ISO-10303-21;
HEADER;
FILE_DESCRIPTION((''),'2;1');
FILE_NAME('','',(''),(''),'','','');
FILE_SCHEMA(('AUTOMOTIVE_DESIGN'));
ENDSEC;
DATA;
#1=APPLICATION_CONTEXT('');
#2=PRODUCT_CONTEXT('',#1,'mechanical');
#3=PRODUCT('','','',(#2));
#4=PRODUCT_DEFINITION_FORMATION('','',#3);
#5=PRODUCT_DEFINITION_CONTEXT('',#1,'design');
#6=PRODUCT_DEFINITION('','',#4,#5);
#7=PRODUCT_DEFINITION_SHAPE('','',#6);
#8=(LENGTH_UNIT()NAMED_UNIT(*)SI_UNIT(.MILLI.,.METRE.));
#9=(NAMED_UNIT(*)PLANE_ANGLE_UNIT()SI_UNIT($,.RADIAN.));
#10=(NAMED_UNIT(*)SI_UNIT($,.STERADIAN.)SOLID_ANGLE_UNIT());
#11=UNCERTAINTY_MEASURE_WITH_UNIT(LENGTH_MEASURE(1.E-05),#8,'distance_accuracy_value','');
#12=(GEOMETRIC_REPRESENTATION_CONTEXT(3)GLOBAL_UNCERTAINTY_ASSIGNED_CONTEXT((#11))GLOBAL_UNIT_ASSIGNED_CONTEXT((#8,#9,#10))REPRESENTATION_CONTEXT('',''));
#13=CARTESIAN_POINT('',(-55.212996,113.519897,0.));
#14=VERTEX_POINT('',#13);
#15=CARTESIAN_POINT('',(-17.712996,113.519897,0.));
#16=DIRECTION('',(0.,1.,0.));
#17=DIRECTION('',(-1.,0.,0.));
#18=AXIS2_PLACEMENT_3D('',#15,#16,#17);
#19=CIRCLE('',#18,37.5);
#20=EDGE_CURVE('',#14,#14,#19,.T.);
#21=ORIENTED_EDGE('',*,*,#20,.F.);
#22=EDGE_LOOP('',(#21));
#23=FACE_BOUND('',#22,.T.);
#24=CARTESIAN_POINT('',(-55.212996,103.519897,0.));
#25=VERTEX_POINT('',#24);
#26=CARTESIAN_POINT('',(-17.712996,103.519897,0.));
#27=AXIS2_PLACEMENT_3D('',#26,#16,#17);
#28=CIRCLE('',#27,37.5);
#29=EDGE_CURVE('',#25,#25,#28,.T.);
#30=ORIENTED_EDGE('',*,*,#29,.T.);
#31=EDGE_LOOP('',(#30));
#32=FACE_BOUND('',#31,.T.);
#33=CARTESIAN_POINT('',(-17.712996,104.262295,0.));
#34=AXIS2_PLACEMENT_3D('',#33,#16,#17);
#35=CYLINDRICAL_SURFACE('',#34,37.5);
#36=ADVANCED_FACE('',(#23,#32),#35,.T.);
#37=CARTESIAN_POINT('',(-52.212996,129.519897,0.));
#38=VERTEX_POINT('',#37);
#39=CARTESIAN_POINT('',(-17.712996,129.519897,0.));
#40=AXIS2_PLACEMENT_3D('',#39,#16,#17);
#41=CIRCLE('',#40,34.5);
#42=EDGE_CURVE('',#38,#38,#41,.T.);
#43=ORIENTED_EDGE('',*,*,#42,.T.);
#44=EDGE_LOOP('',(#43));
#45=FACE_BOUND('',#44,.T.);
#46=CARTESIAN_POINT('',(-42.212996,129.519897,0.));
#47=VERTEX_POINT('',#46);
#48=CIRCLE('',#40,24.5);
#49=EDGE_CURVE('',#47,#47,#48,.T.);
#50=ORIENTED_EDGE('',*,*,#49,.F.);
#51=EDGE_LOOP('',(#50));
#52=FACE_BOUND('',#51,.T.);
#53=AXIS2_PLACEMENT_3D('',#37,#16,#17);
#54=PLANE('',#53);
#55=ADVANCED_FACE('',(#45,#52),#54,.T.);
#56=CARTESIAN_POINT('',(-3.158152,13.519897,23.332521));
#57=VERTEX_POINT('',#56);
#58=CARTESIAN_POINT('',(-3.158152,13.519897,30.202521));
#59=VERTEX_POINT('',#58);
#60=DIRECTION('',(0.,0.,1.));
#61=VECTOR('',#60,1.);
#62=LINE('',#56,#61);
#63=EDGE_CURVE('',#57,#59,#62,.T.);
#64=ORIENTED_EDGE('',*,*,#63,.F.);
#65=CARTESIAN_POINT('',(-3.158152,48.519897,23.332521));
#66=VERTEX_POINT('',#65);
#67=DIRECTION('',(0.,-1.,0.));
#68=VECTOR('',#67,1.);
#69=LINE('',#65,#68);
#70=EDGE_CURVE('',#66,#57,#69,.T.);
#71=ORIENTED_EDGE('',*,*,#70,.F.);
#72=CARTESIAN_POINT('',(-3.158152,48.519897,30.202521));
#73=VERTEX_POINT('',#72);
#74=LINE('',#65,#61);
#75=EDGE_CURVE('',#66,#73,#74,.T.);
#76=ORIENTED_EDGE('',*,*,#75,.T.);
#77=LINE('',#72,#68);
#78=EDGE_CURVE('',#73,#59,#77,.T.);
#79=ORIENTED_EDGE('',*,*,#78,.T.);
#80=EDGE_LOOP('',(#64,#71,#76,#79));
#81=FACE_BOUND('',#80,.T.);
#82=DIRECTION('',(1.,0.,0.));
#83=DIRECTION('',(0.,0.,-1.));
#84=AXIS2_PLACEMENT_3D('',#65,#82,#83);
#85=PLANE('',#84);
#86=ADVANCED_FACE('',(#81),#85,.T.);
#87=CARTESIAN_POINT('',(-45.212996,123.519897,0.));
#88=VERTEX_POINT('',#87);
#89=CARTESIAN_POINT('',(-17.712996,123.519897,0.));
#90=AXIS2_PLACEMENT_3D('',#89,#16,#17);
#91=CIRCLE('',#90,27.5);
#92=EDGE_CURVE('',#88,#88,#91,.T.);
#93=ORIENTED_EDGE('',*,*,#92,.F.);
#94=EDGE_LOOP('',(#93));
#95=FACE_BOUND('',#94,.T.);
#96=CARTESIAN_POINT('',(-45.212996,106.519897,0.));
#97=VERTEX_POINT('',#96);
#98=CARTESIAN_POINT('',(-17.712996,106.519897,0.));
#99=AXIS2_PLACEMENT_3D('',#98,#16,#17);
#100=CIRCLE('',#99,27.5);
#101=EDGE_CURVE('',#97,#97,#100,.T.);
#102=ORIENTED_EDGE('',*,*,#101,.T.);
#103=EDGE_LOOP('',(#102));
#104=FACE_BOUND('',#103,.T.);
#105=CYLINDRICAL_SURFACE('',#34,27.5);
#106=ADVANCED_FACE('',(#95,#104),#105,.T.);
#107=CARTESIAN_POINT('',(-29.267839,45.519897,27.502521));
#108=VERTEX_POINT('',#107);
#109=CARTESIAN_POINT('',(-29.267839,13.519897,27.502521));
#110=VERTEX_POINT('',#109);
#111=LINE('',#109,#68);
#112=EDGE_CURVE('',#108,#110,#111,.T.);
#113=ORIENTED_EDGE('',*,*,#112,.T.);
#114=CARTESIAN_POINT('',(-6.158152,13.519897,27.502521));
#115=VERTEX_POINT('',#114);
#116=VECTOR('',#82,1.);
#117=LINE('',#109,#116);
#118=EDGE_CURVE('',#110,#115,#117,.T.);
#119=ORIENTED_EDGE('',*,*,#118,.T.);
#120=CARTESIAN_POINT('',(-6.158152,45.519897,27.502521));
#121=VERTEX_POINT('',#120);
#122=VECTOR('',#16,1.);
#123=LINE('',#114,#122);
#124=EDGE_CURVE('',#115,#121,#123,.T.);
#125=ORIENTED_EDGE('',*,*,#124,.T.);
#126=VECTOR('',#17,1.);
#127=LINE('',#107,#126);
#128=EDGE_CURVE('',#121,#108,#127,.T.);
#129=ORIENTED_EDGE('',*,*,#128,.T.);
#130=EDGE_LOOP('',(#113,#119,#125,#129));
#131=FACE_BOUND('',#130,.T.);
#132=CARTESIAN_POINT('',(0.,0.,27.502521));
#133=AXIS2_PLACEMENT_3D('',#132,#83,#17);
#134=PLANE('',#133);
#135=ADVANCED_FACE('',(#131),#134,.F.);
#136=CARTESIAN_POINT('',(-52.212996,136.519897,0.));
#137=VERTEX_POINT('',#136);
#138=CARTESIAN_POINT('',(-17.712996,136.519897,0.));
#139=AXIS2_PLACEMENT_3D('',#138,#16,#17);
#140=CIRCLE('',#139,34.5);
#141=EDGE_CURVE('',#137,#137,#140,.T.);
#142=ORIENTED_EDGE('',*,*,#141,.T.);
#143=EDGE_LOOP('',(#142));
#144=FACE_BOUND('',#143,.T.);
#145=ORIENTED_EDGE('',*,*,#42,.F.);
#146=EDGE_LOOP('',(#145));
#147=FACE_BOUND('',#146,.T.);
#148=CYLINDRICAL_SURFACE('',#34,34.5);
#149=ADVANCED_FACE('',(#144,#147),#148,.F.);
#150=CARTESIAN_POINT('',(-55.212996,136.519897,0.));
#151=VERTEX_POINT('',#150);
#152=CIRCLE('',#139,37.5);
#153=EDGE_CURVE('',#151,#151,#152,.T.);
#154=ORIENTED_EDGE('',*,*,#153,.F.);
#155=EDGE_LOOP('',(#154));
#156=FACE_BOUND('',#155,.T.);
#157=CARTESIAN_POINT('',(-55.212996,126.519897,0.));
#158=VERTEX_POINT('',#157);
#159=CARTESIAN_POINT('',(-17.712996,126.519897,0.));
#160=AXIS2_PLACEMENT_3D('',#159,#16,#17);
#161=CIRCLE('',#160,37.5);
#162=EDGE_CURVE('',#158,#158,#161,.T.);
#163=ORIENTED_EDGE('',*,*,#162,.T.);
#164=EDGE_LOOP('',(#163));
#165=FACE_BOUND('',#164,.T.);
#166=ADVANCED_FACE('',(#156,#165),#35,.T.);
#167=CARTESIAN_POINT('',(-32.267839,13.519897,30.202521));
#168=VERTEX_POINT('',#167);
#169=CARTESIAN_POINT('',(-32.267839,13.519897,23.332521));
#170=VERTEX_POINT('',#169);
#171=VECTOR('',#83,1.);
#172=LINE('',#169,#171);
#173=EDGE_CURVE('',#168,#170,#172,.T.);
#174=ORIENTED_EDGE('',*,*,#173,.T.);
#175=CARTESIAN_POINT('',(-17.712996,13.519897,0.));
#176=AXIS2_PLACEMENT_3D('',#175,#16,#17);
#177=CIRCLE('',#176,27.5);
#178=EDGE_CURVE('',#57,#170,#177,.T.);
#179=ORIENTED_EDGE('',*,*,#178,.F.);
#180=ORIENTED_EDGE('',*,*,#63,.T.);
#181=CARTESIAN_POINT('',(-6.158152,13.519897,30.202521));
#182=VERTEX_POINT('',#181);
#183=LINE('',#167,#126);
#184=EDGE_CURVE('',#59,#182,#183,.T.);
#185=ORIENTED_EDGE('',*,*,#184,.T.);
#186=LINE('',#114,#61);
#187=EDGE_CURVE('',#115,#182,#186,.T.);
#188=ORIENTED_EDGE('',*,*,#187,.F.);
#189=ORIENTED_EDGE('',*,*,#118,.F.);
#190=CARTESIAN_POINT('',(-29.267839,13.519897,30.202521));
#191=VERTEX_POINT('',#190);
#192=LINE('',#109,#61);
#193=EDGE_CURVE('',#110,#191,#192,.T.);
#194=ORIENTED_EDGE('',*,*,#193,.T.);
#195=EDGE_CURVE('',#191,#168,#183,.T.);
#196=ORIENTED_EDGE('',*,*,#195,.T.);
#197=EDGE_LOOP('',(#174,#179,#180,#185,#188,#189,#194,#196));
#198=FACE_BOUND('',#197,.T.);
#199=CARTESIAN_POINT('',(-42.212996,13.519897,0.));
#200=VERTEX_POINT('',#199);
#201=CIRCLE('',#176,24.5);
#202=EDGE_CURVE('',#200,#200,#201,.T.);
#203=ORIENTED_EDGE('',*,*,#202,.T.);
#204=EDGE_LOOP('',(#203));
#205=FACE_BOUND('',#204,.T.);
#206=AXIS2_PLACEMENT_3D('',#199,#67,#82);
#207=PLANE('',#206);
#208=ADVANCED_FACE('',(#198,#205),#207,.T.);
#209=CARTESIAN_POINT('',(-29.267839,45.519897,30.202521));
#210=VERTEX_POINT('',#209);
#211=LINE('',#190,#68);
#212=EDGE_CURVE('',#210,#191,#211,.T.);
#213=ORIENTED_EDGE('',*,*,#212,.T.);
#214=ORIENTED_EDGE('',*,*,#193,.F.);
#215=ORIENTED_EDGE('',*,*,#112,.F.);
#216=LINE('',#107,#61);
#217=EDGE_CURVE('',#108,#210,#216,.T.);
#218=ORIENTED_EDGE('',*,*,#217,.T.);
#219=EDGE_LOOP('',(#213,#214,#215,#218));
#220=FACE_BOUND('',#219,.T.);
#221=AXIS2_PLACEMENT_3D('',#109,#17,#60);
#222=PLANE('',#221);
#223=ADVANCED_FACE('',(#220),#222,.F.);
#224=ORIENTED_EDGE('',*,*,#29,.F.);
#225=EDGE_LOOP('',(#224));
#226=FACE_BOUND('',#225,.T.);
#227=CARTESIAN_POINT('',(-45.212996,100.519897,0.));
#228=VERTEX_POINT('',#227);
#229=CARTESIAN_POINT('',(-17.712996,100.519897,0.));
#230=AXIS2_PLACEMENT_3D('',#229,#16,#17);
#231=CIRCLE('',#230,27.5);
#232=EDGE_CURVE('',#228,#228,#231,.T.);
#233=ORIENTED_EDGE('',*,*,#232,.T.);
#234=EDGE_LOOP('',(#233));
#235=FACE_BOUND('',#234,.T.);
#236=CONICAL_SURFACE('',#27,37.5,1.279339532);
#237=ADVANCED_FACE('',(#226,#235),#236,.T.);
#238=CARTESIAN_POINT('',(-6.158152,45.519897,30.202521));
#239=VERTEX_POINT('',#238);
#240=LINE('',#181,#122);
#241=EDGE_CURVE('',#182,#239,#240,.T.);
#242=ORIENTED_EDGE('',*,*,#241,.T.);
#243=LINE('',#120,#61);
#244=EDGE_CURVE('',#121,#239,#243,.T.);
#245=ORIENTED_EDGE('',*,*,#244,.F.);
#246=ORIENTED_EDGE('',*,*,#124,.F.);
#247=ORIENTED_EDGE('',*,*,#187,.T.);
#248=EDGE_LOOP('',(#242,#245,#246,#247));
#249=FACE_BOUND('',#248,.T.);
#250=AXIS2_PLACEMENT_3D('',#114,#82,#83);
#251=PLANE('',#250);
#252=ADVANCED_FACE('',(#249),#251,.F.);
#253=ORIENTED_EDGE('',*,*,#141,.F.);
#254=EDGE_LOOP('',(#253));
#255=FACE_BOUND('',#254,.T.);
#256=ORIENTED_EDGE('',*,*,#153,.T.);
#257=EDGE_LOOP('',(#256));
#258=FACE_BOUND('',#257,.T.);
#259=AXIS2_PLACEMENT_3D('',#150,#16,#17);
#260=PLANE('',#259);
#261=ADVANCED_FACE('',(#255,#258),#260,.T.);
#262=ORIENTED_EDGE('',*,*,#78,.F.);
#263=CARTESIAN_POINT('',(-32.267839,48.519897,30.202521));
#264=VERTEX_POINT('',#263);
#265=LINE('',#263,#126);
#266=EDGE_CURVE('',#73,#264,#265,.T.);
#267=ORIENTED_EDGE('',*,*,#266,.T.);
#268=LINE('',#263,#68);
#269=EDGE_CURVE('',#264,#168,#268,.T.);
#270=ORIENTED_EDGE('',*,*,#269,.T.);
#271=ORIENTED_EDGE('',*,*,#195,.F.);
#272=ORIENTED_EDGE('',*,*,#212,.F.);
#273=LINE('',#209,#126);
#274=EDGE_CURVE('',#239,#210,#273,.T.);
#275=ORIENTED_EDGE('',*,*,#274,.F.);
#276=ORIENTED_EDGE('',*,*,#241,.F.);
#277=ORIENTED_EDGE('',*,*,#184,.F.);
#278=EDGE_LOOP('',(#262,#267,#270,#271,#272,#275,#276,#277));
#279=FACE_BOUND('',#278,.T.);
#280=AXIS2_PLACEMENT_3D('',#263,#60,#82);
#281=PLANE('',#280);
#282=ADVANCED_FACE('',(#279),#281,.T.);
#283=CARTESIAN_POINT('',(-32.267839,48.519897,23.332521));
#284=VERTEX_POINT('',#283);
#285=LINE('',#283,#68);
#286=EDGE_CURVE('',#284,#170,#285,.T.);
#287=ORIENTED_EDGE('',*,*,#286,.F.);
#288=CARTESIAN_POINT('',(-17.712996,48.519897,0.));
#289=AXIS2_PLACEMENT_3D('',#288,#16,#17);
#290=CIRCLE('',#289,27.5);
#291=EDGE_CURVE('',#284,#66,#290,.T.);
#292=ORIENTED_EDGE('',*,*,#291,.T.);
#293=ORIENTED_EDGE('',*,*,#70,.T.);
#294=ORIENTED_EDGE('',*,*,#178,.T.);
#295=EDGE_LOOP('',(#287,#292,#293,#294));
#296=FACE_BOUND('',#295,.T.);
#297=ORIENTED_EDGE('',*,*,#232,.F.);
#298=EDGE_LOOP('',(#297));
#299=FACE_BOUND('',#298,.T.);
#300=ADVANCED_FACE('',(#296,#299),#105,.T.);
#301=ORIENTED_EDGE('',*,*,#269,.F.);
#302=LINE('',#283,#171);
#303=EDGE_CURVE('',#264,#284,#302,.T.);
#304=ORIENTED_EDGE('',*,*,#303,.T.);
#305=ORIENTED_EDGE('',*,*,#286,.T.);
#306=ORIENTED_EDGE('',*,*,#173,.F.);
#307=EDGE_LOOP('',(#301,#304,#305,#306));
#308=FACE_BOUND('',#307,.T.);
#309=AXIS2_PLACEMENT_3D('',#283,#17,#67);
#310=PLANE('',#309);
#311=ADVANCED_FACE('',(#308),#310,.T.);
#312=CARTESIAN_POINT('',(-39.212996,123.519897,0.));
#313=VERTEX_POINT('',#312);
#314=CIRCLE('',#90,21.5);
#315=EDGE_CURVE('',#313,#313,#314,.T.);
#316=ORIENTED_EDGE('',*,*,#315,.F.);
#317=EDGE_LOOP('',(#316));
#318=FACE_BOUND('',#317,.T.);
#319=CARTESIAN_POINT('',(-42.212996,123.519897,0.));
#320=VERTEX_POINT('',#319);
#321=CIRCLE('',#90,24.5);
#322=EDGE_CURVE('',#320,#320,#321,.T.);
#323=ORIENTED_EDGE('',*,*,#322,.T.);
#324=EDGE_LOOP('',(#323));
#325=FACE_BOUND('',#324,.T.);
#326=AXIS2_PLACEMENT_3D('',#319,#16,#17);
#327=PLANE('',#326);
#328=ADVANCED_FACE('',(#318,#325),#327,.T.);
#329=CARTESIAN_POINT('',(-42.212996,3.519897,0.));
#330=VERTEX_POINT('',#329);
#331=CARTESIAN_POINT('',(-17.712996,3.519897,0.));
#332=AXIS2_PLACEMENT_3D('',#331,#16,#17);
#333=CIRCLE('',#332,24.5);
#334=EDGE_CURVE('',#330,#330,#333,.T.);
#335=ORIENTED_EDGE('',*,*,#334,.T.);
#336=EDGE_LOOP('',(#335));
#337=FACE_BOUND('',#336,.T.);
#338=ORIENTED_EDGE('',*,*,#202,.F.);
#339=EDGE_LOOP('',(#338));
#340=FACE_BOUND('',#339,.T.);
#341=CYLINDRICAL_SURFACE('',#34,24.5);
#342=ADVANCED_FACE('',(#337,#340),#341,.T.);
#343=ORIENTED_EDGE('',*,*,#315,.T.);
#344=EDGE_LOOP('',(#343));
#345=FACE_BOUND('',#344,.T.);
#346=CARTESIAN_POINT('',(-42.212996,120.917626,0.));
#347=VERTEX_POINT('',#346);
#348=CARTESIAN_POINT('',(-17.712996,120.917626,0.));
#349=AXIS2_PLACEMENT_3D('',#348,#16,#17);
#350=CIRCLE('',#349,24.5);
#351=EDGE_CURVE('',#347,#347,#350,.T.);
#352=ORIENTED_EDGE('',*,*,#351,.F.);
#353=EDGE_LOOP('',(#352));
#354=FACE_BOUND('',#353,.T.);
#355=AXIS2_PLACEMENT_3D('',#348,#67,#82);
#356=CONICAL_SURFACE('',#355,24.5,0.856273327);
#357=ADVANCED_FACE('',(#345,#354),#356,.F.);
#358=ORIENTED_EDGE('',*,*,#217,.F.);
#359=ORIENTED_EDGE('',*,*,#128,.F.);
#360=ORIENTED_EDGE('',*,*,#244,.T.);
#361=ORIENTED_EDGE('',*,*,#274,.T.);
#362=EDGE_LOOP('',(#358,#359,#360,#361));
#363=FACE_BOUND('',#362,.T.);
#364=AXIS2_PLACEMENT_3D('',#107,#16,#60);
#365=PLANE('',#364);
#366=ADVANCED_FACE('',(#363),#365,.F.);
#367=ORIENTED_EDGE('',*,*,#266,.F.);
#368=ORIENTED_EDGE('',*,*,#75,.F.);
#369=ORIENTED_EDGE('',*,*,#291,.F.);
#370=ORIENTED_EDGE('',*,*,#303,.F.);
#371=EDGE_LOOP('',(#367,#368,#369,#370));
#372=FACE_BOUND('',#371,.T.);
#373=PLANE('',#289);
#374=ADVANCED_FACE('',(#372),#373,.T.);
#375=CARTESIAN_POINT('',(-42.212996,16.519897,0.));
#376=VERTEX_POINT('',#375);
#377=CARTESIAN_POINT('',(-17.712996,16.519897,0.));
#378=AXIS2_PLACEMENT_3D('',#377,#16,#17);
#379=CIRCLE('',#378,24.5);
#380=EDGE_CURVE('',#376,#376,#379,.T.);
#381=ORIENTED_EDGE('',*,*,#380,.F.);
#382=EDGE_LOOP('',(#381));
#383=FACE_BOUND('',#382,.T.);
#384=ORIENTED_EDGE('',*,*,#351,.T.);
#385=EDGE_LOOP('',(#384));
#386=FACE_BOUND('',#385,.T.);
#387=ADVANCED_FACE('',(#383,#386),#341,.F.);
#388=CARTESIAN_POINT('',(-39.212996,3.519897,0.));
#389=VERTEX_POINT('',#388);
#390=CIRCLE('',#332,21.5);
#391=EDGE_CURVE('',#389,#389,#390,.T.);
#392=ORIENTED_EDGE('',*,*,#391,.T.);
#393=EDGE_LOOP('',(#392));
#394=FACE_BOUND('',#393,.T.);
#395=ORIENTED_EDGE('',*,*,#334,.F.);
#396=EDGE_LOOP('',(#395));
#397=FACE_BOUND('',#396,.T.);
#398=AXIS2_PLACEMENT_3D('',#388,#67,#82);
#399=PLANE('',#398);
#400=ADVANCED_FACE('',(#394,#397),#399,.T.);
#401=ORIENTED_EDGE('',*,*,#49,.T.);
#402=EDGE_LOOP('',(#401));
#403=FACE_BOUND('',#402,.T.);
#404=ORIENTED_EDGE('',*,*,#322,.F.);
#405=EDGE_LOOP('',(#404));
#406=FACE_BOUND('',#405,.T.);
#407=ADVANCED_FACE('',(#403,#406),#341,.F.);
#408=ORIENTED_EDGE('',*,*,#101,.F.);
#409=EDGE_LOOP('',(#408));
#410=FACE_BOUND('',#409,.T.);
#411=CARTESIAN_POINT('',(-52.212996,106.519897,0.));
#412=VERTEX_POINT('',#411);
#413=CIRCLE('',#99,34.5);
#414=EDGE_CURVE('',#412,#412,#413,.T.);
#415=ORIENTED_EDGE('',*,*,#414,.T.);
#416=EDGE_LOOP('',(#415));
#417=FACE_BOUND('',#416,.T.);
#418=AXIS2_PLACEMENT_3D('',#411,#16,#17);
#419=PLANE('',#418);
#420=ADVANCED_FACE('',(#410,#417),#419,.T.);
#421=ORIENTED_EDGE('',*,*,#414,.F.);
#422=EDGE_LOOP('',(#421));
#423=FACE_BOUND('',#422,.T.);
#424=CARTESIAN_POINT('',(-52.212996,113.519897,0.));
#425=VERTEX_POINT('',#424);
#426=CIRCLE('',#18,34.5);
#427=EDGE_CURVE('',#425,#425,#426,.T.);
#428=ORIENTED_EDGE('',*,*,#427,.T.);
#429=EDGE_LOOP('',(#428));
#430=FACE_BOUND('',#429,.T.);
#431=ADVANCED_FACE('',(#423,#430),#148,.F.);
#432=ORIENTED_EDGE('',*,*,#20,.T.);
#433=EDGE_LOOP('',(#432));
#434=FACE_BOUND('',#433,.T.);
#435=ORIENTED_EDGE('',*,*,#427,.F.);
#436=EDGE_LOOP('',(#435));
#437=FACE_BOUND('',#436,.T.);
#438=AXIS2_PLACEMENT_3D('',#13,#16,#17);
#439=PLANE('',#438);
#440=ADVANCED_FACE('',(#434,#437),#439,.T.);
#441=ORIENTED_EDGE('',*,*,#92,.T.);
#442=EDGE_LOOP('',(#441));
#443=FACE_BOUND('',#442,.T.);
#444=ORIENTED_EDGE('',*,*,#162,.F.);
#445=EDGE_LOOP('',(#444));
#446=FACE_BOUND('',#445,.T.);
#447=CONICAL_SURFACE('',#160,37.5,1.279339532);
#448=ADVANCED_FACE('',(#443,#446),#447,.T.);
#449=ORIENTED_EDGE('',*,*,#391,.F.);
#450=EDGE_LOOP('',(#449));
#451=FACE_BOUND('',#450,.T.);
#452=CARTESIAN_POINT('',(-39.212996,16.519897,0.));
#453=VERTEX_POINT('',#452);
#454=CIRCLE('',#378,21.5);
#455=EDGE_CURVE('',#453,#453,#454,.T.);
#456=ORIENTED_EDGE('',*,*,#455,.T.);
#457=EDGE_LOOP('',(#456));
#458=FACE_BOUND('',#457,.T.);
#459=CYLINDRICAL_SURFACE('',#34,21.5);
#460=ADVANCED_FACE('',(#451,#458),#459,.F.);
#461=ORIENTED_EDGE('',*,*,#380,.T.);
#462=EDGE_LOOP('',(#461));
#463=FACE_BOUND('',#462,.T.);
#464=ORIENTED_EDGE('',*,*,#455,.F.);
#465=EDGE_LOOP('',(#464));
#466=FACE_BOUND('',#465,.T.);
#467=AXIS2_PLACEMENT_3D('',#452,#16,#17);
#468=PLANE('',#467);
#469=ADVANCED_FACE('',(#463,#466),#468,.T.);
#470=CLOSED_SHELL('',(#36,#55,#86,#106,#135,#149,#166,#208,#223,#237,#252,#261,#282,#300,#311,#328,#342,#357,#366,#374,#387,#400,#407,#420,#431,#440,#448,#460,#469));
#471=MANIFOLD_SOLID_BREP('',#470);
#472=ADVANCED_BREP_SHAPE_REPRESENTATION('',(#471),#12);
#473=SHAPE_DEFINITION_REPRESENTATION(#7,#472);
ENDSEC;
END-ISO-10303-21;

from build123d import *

# Parameters (mm, degrees)
SALIENTE_EXTRUIR1_DEPTH = 35
CROQUIS3_W              = 23.109686168
CROQUIS3_H              = 32
CORTAR_EXTRUIR1_DEPTH   = 2.7


with BuildPart() as part:
    # Croquis1 → Revolución1 (revolve)
    with BuildSketch(Plane.XY):
        Polygon((-39.212995514, 3.519897437), (-39.212995514, 16.519897437), (-42.212995514, 16.519897437), (-42.212995514, 120.917625562), (-39.212995514, 123.519897437), (-42.212995514, 123.519897437), (-42.212995514, 129.519897437), (-52.212995514, 129.519897437), (-52.212995514, 136.519897437), (-55.212995514, 136.519897437), (-55.212995514, 126.519897437), (-45.212995514, 123.519897437), (-45.212995514, 106.519897437), (-52.212995514, 106.519897437), (-52.212995514, 113.519897437), (-55.212995514, 113.519897437), (-55.212995514, 103.519897437), (-45.212995514, 100.519897437), (-45.212995514, 13.519897437), (-42.212995514, 13.519897437), (-42.212995514, 3.519897437), align=None)
    revolve(axis=Axis((-17.712995514, 104.262295082, 0), (0, -1, 0)))

    # Croquis2 → Saliente-Extruir1 (add)
    with BuildSketch(Plane.XZ.offset(-13.519897437)):
        with BuildLine():
            Line((-32.267838598, 23.332521141), (-32.267838598, 30.202521141))
            Line((-32.267838598, 30.202521141), (-3.15815243, 30.202521141))
            Line((-3.15815243, 30.202521141), (-3.15815243, 23.332521141))
            ThreePointArc((-3.15815243, 23.332521141), (-17.712995514, 27.5), (-32.267838598, 23.332521141))
        make_face()
    extrude(amount=-SALIENTE_EXTRUIR1_DEPTH)

    # Croquis3 → Cortar-Extruir1 (cut)
    with BuildSketch(Plane.XY.offset(30.202521141)):
        with Locations((-17.712995514, 29.519897437)):
            Rectangle(CROQUIS3_W, CROQUIS3_H)
    extrude(amount=-CORTAR_EXTRUIR1_DEPTH, mode=Mode.SUBTRACT)


solid = part.part
